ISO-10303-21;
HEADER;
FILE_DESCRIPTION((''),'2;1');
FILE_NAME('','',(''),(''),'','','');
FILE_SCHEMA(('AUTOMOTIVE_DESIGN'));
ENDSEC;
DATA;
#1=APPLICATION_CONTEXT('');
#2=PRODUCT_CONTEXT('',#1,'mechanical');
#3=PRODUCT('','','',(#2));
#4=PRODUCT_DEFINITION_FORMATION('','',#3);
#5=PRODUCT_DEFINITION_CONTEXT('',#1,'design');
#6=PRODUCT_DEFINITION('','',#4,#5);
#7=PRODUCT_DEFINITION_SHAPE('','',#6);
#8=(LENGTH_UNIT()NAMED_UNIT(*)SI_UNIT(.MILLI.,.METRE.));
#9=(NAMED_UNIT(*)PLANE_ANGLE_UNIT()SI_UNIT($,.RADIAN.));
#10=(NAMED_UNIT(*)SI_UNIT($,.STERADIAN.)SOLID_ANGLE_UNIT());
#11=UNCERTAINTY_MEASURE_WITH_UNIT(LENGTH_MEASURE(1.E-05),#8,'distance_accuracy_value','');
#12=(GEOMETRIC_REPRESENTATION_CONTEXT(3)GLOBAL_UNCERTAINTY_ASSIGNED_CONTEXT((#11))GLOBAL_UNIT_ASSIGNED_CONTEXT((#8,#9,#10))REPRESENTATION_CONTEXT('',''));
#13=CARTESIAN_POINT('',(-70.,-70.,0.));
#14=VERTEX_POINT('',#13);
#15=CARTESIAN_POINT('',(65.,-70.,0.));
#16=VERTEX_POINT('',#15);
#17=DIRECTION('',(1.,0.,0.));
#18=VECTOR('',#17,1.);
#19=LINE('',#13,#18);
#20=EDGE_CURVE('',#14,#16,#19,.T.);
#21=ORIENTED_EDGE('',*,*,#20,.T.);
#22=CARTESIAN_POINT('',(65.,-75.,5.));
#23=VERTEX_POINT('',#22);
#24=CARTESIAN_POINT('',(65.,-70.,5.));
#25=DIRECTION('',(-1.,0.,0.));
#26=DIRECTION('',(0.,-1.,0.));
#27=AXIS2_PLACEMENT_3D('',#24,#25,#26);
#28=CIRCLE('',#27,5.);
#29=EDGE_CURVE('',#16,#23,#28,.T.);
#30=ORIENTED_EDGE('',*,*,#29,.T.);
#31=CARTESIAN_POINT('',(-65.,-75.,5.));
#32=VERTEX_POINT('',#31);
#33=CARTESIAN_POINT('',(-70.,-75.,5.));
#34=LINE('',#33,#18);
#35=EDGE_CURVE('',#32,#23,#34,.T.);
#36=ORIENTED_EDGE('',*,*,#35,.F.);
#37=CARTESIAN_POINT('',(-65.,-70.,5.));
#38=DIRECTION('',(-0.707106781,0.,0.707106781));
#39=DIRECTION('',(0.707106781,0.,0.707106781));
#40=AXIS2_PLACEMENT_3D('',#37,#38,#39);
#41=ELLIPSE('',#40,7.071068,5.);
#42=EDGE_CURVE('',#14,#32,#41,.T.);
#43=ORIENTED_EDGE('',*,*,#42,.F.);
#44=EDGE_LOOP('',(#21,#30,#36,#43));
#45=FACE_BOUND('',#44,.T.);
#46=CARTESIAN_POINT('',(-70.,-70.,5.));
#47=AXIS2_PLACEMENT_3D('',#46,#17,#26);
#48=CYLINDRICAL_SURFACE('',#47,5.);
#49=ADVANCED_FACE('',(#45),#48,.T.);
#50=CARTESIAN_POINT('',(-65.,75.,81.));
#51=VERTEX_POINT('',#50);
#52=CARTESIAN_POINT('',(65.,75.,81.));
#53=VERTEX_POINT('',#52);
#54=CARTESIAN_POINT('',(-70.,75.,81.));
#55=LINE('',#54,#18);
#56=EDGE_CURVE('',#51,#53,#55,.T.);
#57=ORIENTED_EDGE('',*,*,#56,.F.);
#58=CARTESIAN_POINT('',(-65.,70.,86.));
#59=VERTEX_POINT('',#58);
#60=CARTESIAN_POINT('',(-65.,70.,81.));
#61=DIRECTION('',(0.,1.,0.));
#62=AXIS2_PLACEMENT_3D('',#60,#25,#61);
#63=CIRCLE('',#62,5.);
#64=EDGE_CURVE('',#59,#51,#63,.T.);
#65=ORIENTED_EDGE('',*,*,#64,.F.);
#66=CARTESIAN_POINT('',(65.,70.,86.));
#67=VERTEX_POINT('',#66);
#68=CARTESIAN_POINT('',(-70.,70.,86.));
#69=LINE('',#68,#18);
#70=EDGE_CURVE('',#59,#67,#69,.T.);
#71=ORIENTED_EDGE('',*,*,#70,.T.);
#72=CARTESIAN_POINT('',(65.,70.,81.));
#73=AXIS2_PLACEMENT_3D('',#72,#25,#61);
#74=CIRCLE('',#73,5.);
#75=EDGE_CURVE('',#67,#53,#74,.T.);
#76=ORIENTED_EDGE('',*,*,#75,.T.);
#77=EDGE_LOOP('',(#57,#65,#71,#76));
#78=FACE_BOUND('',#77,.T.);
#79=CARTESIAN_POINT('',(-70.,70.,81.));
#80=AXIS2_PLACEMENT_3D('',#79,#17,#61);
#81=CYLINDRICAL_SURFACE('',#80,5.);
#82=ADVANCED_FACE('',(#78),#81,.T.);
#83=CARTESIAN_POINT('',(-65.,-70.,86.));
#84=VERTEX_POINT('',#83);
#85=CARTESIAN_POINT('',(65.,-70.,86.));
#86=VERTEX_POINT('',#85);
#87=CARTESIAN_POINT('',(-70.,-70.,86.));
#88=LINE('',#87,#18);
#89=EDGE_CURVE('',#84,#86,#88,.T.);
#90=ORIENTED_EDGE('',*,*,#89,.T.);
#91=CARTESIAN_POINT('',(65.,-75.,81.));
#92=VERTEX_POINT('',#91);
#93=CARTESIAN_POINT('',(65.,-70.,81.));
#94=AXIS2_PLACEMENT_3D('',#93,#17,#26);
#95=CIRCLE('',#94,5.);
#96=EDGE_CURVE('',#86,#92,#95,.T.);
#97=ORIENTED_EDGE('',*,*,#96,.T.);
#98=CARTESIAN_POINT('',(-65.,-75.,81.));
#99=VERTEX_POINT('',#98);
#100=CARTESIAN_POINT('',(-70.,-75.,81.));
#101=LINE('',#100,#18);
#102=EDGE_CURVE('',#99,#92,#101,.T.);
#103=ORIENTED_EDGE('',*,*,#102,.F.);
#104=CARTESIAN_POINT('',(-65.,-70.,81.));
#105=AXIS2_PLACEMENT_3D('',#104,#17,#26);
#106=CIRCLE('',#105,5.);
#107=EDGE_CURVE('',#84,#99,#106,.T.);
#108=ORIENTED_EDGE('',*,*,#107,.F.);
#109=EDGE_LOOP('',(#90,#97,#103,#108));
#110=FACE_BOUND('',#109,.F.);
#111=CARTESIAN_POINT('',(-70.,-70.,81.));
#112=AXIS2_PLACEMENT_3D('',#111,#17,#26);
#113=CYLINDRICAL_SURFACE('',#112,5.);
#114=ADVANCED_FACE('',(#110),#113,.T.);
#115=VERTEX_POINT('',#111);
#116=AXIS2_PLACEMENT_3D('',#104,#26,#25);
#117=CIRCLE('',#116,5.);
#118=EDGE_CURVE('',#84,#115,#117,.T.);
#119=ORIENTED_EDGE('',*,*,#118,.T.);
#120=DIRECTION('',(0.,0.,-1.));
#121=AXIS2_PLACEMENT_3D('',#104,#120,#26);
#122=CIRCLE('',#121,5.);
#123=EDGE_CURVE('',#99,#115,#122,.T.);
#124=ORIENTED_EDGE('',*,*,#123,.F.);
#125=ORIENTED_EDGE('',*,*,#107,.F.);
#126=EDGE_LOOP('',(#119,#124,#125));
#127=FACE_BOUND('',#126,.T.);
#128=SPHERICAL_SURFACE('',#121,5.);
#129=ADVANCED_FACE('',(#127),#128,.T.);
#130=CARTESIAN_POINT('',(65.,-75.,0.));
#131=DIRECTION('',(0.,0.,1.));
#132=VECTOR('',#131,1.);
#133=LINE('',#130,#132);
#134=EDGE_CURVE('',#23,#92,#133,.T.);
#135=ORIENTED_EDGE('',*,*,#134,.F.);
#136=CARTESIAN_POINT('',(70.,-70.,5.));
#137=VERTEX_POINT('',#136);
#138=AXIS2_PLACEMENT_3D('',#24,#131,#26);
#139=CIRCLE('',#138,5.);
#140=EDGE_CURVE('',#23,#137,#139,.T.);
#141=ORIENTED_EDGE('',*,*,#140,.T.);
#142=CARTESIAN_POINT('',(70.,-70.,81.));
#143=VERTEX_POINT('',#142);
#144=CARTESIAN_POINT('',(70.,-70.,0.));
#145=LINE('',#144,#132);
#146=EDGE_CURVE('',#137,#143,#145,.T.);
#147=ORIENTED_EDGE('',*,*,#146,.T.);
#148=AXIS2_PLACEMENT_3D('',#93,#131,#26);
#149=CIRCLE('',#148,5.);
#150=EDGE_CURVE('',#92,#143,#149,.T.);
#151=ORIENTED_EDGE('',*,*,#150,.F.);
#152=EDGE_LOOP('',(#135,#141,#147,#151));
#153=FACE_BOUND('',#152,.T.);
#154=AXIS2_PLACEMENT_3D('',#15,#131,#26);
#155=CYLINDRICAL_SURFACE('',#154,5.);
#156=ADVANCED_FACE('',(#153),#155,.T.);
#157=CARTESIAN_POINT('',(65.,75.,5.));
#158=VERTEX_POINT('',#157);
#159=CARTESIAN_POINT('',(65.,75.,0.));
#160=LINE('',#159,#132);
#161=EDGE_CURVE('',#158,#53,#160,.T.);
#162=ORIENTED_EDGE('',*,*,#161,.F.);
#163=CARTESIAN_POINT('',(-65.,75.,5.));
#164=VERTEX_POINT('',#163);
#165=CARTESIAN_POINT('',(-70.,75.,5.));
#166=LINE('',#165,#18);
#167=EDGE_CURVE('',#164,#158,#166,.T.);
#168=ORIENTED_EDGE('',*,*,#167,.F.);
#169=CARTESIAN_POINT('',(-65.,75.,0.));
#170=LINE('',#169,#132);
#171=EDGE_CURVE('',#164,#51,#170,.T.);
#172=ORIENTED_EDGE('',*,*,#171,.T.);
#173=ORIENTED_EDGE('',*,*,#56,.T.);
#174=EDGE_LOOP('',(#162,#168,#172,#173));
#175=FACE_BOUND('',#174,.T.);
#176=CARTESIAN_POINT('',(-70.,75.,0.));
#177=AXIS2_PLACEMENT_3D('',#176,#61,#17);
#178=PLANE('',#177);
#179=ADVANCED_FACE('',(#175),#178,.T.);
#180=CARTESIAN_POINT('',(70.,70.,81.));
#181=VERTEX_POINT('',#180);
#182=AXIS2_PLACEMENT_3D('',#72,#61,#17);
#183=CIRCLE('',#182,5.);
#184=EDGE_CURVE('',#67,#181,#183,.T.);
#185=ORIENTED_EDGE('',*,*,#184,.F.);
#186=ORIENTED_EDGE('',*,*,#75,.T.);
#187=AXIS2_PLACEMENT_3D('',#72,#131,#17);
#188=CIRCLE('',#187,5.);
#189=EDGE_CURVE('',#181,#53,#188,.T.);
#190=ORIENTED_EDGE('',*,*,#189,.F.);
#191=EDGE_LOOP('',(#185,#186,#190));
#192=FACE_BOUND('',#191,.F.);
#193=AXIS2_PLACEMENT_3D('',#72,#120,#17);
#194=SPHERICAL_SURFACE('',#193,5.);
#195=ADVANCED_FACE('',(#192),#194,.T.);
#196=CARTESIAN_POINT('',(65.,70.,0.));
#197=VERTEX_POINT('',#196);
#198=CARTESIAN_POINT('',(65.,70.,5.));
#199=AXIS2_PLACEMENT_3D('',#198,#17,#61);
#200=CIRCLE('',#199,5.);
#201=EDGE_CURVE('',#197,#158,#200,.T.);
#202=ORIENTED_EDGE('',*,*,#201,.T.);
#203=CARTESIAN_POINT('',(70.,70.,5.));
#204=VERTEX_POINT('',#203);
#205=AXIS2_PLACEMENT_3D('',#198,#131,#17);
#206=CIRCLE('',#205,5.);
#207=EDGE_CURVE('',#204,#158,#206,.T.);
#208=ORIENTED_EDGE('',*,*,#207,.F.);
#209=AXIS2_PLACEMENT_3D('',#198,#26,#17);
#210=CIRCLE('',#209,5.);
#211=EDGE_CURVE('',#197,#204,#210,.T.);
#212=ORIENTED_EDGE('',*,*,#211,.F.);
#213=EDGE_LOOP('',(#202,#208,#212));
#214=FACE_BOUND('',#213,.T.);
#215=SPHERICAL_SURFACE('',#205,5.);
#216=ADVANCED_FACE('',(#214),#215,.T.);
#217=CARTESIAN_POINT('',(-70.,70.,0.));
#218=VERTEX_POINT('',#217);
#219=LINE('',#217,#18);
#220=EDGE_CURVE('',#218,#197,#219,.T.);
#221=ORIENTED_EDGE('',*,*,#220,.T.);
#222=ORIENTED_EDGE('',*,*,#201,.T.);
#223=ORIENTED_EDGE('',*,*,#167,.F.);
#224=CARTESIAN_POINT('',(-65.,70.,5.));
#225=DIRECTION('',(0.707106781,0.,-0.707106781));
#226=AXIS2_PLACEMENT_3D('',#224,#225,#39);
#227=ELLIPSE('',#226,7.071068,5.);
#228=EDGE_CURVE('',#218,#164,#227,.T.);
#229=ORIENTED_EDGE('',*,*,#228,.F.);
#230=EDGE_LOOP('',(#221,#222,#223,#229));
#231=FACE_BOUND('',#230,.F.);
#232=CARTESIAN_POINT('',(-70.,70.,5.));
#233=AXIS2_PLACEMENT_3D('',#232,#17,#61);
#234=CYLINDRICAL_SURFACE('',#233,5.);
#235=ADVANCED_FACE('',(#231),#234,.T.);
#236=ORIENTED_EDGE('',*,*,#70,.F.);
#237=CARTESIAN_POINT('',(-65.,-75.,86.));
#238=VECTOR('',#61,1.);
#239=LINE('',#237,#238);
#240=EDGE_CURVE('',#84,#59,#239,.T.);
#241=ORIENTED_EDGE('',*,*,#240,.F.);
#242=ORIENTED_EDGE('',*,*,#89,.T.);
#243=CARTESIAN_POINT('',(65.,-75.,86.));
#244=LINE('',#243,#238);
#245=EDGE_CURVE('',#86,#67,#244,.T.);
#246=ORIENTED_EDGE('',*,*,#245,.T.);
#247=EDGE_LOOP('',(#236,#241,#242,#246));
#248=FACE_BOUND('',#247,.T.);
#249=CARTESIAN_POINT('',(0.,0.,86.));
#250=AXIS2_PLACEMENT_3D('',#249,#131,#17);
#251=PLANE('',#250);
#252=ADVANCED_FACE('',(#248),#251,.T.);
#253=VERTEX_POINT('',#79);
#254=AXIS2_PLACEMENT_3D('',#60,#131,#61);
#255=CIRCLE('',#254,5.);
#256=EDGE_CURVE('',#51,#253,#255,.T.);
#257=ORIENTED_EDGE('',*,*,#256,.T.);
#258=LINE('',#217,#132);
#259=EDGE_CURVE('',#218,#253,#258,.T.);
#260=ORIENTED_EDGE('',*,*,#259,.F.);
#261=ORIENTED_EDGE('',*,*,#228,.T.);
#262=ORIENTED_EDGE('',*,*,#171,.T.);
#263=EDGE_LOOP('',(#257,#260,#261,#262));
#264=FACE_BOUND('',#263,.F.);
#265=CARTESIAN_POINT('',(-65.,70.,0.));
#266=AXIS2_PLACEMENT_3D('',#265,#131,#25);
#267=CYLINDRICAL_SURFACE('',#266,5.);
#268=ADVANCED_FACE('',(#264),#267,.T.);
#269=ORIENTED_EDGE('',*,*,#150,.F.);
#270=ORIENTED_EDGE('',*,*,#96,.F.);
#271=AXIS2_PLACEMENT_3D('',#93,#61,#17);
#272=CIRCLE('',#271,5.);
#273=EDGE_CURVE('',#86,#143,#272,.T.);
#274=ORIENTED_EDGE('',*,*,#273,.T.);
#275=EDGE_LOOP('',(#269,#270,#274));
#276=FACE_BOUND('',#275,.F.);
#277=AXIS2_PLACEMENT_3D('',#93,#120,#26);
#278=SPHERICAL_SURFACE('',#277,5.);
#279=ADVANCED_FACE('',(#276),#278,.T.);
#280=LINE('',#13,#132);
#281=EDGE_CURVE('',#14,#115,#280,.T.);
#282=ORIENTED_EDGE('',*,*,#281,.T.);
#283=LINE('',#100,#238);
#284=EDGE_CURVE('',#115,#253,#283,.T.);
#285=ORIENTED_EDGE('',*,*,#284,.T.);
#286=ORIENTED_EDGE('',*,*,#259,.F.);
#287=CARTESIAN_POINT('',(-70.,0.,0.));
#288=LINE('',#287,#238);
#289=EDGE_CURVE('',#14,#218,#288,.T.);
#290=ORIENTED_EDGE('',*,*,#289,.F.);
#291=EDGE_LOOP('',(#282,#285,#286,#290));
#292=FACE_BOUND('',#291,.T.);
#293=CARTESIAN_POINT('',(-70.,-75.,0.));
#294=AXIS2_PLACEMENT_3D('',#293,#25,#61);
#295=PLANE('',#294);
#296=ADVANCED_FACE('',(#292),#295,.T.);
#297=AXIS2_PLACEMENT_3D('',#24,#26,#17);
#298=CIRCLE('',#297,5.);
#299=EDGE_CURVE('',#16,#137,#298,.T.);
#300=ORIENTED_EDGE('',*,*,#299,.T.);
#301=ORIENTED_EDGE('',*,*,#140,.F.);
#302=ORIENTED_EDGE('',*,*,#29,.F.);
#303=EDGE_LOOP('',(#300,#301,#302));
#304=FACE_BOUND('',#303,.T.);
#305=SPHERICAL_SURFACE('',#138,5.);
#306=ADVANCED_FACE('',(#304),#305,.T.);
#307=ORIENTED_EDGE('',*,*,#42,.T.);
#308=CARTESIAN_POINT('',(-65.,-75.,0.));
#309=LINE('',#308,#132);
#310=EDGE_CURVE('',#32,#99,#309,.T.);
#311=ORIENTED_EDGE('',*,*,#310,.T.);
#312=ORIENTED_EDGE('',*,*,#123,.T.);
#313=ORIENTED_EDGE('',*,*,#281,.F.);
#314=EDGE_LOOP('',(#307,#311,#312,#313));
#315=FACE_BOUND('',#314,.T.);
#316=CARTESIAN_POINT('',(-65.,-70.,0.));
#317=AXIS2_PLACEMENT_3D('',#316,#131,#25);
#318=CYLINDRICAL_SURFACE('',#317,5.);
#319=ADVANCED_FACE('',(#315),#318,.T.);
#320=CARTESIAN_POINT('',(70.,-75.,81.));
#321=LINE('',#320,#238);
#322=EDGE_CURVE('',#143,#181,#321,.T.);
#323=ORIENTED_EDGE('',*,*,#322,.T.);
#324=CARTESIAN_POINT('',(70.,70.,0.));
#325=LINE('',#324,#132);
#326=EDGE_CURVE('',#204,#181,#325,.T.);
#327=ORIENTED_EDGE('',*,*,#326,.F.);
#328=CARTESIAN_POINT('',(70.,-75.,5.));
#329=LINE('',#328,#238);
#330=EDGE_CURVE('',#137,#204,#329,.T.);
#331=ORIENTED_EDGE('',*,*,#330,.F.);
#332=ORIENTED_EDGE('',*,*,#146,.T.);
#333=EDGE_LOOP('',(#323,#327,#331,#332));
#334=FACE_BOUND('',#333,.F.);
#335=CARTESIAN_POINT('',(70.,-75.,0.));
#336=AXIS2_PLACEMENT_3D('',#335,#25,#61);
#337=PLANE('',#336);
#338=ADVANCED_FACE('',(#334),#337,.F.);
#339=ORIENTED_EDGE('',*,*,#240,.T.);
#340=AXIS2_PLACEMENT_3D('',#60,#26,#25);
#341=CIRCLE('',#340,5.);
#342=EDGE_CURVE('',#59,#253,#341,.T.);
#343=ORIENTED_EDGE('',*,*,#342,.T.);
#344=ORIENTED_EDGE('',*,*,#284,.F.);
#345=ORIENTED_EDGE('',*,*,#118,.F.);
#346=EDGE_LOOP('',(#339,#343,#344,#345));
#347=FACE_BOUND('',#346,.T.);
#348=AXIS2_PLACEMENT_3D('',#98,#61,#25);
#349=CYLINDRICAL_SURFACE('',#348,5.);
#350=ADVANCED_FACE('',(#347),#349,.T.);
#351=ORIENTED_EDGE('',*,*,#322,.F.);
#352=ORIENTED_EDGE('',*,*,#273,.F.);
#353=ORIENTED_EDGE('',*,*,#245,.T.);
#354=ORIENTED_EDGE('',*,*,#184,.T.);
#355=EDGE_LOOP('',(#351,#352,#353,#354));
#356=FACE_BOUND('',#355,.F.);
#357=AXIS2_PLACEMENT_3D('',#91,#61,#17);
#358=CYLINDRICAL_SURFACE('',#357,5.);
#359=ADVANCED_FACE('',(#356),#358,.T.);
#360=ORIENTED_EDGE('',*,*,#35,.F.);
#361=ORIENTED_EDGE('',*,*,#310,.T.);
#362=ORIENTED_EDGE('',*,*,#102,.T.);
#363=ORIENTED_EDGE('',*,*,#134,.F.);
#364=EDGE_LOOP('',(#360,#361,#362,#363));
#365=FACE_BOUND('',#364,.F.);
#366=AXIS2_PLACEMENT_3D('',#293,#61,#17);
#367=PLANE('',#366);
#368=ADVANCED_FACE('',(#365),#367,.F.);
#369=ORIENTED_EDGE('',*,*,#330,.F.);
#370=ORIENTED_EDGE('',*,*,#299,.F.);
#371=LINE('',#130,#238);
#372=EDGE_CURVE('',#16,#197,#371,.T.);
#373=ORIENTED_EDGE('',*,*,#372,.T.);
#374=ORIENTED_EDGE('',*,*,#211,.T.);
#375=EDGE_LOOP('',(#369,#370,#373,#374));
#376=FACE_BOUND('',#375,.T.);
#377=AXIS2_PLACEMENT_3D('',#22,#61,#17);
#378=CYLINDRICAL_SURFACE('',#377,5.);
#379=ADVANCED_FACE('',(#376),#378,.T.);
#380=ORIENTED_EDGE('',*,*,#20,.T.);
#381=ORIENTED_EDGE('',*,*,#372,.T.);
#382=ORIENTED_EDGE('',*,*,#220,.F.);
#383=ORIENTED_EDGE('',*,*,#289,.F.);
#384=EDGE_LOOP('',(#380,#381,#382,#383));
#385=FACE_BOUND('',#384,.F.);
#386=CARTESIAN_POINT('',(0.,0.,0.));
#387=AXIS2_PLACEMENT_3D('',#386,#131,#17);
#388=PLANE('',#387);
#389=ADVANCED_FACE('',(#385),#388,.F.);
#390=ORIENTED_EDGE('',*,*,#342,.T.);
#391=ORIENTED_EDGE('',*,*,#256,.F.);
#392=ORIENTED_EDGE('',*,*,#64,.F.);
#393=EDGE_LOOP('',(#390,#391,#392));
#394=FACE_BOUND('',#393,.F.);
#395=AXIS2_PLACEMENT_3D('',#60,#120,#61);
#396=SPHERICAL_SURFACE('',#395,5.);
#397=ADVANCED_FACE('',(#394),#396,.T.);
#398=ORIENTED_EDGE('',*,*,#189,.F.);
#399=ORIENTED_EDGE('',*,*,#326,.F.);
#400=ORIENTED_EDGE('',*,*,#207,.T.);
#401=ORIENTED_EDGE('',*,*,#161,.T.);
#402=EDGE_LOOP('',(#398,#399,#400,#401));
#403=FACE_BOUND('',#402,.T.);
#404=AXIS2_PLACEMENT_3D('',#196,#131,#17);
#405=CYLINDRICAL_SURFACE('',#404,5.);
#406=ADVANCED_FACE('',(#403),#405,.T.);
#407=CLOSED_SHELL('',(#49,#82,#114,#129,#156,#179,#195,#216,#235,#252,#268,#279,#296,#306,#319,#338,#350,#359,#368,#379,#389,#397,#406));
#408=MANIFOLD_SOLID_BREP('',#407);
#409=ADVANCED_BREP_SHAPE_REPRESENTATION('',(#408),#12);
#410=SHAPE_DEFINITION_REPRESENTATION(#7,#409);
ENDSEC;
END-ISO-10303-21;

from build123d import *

# Parameters (mm, degrees)
F0_W     = 140
F0_H     = 150
F1_DEPTH = 86
F2_R     = 5


with BuildPart() as f1:
    # F0 (on Top) → F1 (new body)
    with BuildSketch(Plane.XY):
        Rectangle(F0_W, F0_H)
    extrude(amount=F1_DEPTH)

    # F2
    f2_edges = [f1.edges().sort_by_distance(p)[0] for p in [
        (-70, -75, 43),
        (70, -75, 43),
        (0, -75, 0),
        (0, -75, 86),
        (70, 75, 43),
        (70, 0, 0),
        (70, 0, 86),
        (-70, 75, 43),
        (0, 75, 0),
        (0, 75, 86),
        (-70, 0, 86),
    ]]
    fillet(f2_edges, radius=F2_R)


solid = f1.part
